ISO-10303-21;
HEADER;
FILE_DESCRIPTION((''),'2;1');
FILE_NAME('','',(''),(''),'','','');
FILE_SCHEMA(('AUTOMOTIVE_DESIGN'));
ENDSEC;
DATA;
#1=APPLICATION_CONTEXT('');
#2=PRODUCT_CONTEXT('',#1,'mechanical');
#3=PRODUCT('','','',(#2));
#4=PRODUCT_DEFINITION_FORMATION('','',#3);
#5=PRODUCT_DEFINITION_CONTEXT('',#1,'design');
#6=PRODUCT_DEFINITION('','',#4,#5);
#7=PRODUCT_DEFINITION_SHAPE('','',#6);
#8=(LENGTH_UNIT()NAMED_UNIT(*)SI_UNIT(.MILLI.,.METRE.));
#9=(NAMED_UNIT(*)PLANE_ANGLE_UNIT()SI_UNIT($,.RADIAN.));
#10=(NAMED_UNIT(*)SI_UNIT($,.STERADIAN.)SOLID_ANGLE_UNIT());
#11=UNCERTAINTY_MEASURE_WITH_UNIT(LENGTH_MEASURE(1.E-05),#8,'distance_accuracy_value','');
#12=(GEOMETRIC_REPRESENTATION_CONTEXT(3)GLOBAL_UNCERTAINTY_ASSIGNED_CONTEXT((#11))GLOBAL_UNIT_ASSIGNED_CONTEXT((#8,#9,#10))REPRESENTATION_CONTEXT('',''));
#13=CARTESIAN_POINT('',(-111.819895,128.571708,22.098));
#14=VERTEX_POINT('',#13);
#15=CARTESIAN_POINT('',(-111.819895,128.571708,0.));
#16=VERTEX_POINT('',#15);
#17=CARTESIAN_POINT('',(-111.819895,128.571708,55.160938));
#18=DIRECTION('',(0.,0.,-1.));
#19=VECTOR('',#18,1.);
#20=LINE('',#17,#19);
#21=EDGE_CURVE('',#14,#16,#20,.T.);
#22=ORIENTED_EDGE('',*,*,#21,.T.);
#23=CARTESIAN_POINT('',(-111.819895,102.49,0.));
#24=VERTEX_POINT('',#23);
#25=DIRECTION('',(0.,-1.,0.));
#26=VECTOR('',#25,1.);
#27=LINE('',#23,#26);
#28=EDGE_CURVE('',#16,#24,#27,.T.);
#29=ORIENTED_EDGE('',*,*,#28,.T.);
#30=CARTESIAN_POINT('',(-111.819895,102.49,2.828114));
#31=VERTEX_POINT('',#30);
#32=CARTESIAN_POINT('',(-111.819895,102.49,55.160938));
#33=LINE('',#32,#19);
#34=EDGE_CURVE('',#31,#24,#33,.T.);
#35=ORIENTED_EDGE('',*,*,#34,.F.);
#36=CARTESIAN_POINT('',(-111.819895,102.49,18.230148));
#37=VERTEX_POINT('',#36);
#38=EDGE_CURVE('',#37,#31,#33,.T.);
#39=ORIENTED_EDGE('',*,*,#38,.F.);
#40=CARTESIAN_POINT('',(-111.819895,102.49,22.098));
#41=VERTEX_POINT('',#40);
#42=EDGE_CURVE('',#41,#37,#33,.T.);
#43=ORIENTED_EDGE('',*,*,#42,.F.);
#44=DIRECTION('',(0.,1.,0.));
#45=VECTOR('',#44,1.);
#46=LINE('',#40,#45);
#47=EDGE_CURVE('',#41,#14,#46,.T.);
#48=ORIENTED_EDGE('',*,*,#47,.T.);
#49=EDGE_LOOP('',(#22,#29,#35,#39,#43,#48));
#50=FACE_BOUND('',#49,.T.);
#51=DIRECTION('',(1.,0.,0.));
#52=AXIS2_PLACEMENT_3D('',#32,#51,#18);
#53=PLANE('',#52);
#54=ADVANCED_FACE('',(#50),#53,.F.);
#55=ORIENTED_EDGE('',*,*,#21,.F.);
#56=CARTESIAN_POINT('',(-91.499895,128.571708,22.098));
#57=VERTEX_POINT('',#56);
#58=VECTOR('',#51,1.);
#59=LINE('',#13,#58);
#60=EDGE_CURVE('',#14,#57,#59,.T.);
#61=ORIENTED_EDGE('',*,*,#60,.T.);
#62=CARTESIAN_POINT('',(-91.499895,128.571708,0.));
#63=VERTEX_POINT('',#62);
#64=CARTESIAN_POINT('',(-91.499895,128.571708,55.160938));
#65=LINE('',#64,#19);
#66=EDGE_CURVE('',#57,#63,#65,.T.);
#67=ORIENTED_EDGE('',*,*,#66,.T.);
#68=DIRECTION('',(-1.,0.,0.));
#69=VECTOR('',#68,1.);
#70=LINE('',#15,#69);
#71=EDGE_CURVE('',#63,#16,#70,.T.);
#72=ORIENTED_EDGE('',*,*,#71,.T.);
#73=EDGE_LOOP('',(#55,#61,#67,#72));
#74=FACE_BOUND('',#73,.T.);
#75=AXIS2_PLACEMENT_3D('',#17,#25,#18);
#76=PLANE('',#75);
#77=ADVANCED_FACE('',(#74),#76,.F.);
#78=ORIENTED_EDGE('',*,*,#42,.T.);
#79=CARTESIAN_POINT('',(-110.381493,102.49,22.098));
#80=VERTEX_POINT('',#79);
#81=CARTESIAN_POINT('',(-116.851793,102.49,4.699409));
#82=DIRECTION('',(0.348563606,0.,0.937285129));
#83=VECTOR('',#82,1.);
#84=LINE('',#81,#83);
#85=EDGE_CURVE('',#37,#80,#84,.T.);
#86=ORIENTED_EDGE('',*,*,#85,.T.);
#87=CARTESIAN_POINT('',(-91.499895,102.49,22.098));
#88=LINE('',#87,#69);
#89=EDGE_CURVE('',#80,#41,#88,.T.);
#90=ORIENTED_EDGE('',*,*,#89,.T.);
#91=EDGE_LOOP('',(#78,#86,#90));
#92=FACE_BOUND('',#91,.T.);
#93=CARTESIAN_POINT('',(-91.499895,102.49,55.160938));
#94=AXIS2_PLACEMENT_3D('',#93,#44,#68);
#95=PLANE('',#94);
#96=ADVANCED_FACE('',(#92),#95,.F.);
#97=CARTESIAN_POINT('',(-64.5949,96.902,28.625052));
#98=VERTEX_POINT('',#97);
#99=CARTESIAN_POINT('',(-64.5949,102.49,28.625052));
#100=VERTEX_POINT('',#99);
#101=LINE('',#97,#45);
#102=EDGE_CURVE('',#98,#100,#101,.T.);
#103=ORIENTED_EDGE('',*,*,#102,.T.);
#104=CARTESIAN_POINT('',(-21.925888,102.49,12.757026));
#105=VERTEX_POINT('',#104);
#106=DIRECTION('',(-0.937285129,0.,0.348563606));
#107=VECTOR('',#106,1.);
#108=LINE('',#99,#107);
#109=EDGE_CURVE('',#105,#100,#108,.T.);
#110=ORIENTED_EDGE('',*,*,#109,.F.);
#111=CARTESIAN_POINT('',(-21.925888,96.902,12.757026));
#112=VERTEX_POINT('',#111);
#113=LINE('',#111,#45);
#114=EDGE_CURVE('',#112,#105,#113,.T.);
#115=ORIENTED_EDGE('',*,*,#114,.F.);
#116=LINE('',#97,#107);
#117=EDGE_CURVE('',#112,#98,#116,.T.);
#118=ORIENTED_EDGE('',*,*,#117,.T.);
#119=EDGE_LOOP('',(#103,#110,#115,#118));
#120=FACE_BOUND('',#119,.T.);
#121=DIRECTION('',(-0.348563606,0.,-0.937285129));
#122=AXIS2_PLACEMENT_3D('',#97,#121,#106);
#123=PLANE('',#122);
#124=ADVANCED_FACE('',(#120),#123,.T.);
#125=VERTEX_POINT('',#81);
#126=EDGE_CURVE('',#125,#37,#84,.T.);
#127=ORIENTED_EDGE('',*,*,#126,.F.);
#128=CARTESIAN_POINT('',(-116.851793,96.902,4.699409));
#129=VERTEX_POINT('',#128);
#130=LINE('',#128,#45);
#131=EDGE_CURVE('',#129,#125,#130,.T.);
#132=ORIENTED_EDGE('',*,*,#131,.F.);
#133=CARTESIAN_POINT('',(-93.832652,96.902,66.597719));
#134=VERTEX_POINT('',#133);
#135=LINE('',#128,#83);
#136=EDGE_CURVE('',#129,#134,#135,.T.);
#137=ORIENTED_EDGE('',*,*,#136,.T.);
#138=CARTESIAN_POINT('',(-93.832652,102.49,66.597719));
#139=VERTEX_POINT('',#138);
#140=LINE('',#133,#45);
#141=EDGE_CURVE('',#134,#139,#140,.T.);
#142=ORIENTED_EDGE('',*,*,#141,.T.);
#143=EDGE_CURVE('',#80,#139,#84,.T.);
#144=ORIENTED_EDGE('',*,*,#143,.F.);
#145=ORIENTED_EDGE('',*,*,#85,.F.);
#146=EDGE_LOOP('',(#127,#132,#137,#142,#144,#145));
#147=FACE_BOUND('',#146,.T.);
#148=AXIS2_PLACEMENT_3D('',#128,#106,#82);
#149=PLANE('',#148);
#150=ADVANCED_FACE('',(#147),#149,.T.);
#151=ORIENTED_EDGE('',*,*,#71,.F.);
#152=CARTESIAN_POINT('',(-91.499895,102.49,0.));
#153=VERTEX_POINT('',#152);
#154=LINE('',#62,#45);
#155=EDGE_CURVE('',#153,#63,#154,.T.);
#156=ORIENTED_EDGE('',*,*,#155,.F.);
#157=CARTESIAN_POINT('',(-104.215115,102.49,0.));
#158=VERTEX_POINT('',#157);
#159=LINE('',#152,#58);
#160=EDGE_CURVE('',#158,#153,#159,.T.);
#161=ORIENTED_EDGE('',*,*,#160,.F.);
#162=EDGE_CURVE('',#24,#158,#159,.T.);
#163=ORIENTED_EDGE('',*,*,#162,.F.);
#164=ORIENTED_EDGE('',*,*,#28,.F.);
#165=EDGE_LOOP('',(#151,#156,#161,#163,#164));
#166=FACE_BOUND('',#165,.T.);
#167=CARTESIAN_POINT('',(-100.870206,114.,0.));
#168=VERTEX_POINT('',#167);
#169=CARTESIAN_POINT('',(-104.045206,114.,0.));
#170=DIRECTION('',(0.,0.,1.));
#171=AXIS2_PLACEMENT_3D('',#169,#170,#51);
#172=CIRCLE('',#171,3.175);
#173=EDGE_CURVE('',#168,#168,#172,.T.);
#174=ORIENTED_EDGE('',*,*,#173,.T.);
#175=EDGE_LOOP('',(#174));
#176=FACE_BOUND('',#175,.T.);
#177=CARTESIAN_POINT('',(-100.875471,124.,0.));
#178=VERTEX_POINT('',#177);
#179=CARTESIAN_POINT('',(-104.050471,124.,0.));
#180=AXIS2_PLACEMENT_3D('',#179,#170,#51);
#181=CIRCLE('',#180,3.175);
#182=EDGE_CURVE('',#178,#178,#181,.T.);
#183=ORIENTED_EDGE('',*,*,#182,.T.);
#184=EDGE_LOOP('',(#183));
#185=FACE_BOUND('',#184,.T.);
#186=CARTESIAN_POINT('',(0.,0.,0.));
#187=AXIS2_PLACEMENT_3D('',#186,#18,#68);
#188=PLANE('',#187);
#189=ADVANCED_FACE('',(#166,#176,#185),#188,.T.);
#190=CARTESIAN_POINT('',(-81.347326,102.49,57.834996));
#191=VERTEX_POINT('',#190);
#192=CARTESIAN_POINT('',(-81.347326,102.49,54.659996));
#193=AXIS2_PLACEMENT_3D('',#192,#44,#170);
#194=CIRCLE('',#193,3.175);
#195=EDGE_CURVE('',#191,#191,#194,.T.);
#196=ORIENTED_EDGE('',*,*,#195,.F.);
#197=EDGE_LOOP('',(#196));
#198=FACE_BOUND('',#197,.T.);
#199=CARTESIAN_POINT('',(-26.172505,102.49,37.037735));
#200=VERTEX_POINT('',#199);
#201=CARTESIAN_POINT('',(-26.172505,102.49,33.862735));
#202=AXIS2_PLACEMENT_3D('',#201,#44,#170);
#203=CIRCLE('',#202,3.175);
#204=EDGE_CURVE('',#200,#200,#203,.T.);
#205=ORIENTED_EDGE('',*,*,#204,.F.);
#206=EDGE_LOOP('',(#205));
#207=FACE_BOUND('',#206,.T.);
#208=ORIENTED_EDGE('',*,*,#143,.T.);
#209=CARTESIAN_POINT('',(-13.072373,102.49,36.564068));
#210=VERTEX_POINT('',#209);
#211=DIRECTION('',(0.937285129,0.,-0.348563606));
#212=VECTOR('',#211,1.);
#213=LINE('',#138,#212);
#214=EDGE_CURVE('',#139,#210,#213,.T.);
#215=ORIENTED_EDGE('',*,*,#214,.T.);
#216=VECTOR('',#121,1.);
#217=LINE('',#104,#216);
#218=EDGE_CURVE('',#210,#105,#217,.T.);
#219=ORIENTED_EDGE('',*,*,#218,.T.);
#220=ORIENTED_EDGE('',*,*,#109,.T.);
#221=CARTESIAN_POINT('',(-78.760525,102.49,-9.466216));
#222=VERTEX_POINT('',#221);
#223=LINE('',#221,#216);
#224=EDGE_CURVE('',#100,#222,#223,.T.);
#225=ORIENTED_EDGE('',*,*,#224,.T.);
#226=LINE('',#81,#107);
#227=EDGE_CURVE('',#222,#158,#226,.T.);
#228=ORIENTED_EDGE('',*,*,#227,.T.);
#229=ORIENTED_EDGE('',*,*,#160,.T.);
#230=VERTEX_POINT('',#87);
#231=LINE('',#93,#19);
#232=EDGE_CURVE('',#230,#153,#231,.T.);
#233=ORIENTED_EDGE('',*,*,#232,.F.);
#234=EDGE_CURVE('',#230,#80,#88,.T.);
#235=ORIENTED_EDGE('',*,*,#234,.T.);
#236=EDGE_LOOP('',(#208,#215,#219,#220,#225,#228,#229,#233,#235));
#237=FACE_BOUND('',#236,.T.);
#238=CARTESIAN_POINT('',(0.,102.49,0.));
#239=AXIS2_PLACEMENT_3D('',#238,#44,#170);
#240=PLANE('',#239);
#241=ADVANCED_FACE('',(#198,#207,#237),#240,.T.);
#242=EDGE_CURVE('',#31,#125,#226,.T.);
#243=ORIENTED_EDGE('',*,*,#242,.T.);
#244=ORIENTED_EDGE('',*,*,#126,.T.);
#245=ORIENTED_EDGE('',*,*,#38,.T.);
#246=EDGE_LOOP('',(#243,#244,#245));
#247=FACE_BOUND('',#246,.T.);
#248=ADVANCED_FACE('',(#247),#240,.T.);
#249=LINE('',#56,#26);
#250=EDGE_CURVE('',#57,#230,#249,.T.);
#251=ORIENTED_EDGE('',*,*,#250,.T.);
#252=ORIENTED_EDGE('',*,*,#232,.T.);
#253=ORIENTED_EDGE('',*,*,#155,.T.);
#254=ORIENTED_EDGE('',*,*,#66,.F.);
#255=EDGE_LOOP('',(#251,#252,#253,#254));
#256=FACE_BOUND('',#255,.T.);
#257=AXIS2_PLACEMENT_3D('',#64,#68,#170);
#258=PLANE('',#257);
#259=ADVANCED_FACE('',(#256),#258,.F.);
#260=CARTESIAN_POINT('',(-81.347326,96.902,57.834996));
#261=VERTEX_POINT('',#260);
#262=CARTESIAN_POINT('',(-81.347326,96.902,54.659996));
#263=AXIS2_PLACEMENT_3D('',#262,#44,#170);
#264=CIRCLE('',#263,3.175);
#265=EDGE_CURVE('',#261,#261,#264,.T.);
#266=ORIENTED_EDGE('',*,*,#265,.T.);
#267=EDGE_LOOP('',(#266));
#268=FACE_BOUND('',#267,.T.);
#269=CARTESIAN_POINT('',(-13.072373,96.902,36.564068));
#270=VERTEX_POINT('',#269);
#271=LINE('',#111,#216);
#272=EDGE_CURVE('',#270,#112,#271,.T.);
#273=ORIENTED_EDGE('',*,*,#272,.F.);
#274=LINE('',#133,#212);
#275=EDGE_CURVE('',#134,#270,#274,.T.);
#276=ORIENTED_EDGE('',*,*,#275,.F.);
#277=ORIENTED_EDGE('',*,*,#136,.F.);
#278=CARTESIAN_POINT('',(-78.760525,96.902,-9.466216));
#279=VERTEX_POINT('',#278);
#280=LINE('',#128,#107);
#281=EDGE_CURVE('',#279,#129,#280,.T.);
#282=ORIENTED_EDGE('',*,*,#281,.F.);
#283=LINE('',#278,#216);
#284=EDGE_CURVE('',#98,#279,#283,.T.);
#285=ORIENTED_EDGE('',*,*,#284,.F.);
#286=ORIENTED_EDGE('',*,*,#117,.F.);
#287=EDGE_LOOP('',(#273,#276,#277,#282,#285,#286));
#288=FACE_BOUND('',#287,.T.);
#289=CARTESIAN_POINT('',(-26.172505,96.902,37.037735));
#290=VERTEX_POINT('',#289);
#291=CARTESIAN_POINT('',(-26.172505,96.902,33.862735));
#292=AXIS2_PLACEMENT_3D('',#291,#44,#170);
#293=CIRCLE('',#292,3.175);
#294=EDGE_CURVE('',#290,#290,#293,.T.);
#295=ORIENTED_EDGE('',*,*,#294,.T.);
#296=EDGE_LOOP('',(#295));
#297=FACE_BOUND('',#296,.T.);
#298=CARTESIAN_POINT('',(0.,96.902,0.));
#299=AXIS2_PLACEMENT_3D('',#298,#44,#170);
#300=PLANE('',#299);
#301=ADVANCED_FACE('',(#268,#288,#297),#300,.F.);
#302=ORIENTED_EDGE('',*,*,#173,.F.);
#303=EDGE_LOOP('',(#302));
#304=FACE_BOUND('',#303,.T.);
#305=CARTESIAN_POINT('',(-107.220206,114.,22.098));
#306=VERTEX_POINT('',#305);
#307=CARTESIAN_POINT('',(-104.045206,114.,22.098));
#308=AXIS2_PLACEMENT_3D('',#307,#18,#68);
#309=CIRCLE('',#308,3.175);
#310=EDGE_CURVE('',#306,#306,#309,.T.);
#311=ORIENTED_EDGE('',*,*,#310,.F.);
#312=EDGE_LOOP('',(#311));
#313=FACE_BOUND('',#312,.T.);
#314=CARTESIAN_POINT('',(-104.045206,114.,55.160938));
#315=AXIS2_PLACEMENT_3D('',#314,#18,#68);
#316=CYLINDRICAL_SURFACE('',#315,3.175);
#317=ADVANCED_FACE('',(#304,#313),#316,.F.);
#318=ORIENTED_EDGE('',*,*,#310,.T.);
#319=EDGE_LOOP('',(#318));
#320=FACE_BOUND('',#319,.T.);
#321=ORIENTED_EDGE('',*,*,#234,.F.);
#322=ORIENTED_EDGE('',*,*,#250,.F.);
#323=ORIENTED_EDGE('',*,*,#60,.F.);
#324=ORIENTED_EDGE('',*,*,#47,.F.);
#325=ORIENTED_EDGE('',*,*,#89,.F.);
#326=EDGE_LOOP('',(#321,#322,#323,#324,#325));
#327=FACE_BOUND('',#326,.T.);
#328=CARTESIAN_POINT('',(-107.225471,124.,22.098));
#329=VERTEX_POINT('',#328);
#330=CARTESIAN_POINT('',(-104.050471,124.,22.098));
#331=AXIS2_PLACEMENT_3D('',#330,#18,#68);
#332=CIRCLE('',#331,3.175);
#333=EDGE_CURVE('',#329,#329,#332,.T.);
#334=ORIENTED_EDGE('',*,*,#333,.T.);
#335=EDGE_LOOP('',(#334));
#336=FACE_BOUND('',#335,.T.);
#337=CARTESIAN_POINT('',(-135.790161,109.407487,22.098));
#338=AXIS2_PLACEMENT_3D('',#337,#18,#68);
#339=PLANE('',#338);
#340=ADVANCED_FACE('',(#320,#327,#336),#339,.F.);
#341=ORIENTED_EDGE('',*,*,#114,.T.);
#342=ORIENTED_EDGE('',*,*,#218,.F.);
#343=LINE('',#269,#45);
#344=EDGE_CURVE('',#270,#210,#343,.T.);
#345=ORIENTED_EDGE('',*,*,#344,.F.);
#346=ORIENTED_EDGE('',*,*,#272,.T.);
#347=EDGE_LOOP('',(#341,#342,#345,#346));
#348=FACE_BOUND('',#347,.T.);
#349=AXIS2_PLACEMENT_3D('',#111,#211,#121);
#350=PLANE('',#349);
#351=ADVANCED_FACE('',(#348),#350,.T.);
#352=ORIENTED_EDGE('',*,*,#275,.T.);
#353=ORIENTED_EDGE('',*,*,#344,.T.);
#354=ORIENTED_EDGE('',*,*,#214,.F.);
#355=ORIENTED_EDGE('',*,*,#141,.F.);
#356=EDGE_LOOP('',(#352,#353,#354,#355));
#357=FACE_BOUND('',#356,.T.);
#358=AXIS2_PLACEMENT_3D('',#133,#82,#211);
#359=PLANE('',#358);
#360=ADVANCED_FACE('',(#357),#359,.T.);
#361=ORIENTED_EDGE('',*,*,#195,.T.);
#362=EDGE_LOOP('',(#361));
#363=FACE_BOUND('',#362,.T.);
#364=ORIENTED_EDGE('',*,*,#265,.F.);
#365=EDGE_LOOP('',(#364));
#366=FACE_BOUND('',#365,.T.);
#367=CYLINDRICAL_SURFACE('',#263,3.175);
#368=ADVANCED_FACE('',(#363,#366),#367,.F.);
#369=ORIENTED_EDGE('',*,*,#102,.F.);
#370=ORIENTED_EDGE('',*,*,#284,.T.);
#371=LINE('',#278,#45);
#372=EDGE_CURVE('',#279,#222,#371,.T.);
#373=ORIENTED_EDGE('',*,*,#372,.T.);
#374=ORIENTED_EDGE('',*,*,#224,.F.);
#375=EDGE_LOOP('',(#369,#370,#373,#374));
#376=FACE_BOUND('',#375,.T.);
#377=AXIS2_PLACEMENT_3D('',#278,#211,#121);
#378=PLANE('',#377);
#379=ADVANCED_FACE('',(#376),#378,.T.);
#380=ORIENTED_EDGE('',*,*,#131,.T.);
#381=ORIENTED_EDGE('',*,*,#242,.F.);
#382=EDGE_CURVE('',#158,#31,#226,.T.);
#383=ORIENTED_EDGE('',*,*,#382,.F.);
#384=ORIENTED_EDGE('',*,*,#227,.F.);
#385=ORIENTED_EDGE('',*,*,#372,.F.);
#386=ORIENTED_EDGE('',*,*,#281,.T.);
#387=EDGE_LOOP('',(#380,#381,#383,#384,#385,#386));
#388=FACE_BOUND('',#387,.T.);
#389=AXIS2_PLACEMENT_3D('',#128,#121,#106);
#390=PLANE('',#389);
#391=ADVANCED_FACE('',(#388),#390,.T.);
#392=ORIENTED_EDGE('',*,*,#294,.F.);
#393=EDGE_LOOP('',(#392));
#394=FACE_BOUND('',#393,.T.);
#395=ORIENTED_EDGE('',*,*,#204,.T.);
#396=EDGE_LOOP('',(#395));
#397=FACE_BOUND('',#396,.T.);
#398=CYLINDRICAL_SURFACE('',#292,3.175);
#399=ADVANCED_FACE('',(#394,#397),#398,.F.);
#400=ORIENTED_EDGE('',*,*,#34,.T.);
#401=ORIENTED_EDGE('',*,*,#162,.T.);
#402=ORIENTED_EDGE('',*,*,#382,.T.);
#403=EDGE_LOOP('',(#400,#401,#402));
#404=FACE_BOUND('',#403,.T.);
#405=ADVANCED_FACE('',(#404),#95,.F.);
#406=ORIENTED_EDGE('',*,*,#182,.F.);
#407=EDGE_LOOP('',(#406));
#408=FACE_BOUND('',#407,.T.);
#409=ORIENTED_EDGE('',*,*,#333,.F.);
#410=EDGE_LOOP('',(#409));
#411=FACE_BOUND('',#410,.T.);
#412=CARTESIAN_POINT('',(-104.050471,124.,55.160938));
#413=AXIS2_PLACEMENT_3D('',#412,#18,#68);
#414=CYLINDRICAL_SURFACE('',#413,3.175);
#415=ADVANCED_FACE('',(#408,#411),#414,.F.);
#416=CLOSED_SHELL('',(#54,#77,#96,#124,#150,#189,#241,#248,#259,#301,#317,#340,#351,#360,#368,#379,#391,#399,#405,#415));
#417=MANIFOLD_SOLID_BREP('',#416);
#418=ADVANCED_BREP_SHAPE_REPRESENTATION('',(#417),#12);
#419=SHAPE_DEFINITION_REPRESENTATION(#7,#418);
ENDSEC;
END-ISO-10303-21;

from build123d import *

# Parameters (mm, degrees)
SKETCH1_W           = 20.32
SKETCH1_H           = 26.081708108
SKETCH1_R           = 3.175
BOSS_EXTRUDE1_DEPTH = 22.098
SKETCH2_R           = 3.175
BOSS_EXTRUDE2_DEPTH = 5.588


with BuildPart() as part:
    # Sketch1 → Boss-Extrude1 (new body)
    with BuildSketch(Plane.XY):
        with Locations((-101.659894533, 115.530854428)):
            Rectangle(SKETCH1_W, SKETCH1_H)
        with Locations(Location((-104.05047074, 124, 0), (0, 0, 180))):
            Circle(SKETCH1_R, mode=Mode.SUBTRACT)
        with Locations(Location((-104.04520642, 114, 0), (0, 0, 180))):
            Circle(SKETCH1_R, mode=Mode.SUBTRACT)
    extrude(amount=BOSS_EXTRUDE1_DEPTH)

    # Sketch2 → Boss-Extrude2 (add)
    with BuildSketch(Plane(origin=(0, 102.490000374, 0), x_dir=(1, 0, 0), z_dir=(0, 1, 0))):
        Polygon((-93.832652136, -66.597718767), (-13.072372895, -36.5640681), (-21.925888481, -12.757025827), (-64.594900087, -28.625051556), (-78.760525025, 9.46621608), (-116.851792661, -4.699408859), align=None)
        with Locations(Location((-81.347326341, -54.659995843, 0), (0, 0, 270))):
            Circle(SKETCH2_R, mode=Mode.SUBTRACT)
        with Locations(Location((-26.172504674, -33.862735355, 0), (0, 0, 270))):
            Circle(SKETCH2_R, mode=Mode.SUBTRACT)
    extrude(amount=-BOSS_EXTRUDE2_DEPTH)


solid = part.part
